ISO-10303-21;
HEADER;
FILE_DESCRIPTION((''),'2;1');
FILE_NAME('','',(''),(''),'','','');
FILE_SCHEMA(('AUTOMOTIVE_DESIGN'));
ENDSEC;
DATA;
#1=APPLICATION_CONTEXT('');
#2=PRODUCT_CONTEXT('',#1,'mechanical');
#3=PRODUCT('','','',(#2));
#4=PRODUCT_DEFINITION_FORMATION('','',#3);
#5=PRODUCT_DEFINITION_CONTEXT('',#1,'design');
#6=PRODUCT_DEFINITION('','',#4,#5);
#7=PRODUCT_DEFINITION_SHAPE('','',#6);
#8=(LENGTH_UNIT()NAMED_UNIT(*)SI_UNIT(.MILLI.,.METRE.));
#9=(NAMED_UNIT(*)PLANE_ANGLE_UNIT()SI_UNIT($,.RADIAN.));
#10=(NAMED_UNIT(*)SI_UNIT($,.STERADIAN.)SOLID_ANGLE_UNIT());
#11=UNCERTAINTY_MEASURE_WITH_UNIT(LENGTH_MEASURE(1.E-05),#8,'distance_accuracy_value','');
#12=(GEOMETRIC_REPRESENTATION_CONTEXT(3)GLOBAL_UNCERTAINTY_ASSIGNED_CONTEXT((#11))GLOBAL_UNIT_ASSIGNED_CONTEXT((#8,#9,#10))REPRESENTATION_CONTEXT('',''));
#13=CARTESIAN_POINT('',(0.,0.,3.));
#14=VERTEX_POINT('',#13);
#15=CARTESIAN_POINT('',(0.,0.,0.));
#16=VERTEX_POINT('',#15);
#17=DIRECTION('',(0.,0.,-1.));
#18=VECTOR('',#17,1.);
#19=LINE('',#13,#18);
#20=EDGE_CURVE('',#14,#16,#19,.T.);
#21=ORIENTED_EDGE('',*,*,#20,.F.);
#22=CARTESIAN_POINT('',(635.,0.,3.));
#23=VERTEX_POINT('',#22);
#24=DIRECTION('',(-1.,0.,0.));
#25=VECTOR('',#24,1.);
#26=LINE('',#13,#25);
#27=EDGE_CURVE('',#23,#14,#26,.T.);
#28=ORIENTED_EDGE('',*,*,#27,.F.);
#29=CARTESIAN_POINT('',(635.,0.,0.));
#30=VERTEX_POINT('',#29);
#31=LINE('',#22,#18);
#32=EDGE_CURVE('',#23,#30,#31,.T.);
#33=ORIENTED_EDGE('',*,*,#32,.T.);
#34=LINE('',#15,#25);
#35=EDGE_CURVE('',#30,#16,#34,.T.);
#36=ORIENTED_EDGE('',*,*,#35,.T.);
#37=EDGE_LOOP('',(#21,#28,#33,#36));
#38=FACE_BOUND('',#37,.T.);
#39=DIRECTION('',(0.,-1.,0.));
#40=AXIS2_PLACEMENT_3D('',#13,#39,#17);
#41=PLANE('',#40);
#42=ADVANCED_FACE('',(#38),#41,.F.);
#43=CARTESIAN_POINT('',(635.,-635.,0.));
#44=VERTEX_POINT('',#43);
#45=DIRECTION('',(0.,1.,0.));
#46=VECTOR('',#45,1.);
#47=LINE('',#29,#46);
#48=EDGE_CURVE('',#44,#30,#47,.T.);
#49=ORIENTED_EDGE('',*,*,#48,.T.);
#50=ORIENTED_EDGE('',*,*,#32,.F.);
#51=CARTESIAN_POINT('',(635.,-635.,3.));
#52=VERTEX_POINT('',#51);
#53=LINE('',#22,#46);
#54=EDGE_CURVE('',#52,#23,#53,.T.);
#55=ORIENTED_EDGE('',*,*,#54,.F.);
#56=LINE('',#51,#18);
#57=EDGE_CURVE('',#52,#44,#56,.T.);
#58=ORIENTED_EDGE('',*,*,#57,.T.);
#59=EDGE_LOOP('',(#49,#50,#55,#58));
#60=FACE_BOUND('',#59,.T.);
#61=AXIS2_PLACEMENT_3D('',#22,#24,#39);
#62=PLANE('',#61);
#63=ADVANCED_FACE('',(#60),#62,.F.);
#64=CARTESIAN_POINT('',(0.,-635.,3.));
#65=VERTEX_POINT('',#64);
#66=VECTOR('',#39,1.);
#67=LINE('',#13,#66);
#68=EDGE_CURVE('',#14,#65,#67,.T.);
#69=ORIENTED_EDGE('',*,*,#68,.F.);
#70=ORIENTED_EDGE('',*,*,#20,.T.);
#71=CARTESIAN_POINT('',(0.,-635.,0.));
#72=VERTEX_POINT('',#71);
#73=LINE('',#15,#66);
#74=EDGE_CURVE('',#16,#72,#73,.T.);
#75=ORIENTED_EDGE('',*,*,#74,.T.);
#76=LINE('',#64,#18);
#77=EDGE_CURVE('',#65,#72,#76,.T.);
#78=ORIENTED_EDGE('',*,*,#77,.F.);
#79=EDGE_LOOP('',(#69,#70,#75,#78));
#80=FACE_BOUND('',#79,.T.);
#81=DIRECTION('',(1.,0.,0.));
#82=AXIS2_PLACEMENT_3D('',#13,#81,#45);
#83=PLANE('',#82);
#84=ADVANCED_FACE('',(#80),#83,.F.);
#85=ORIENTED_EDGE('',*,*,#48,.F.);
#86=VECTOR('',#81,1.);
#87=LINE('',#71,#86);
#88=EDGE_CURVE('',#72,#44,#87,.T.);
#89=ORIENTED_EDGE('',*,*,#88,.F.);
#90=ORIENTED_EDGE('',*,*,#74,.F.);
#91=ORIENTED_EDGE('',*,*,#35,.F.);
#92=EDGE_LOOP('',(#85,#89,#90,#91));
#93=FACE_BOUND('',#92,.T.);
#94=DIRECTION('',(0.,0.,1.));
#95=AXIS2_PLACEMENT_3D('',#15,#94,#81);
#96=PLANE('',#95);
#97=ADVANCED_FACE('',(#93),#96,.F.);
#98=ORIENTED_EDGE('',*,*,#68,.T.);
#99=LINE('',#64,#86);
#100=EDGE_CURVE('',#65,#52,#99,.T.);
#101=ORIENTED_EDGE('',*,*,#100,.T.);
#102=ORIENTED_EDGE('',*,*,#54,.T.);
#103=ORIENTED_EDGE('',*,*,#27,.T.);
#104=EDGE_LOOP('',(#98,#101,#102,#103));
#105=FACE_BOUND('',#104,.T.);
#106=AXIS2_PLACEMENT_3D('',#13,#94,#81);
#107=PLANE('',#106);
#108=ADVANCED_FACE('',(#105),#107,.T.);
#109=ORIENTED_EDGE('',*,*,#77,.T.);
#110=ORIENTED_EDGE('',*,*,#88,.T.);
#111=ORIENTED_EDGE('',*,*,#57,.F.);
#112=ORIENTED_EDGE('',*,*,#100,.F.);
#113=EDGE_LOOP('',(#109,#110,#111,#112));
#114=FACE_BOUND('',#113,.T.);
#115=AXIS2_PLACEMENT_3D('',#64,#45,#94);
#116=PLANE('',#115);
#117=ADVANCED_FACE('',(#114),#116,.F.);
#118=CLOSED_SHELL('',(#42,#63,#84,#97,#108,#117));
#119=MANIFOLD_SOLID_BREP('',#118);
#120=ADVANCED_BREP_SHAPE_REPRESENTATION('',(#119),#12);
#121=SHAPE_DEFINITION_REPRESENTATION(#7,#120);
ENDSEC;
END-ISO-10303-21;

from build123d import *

# Parameters (mm, degrees)
SKETCH_1_W      = 635
SKETCH_1_H      = 635
EXTRUDE_1_DEPTH = 3


with BuildPart() as part:
    # 스케치1 → 보스-돌출1 (new body)
    with BuildSketch(Plane.XY):
        with Locations((317.5, -317.5)):
            Rectangle(SKETCH_1_W, SKETCH_1_H)
    extrude(amount=EXTRUDE_1_DEPTH)


solid = part.part
